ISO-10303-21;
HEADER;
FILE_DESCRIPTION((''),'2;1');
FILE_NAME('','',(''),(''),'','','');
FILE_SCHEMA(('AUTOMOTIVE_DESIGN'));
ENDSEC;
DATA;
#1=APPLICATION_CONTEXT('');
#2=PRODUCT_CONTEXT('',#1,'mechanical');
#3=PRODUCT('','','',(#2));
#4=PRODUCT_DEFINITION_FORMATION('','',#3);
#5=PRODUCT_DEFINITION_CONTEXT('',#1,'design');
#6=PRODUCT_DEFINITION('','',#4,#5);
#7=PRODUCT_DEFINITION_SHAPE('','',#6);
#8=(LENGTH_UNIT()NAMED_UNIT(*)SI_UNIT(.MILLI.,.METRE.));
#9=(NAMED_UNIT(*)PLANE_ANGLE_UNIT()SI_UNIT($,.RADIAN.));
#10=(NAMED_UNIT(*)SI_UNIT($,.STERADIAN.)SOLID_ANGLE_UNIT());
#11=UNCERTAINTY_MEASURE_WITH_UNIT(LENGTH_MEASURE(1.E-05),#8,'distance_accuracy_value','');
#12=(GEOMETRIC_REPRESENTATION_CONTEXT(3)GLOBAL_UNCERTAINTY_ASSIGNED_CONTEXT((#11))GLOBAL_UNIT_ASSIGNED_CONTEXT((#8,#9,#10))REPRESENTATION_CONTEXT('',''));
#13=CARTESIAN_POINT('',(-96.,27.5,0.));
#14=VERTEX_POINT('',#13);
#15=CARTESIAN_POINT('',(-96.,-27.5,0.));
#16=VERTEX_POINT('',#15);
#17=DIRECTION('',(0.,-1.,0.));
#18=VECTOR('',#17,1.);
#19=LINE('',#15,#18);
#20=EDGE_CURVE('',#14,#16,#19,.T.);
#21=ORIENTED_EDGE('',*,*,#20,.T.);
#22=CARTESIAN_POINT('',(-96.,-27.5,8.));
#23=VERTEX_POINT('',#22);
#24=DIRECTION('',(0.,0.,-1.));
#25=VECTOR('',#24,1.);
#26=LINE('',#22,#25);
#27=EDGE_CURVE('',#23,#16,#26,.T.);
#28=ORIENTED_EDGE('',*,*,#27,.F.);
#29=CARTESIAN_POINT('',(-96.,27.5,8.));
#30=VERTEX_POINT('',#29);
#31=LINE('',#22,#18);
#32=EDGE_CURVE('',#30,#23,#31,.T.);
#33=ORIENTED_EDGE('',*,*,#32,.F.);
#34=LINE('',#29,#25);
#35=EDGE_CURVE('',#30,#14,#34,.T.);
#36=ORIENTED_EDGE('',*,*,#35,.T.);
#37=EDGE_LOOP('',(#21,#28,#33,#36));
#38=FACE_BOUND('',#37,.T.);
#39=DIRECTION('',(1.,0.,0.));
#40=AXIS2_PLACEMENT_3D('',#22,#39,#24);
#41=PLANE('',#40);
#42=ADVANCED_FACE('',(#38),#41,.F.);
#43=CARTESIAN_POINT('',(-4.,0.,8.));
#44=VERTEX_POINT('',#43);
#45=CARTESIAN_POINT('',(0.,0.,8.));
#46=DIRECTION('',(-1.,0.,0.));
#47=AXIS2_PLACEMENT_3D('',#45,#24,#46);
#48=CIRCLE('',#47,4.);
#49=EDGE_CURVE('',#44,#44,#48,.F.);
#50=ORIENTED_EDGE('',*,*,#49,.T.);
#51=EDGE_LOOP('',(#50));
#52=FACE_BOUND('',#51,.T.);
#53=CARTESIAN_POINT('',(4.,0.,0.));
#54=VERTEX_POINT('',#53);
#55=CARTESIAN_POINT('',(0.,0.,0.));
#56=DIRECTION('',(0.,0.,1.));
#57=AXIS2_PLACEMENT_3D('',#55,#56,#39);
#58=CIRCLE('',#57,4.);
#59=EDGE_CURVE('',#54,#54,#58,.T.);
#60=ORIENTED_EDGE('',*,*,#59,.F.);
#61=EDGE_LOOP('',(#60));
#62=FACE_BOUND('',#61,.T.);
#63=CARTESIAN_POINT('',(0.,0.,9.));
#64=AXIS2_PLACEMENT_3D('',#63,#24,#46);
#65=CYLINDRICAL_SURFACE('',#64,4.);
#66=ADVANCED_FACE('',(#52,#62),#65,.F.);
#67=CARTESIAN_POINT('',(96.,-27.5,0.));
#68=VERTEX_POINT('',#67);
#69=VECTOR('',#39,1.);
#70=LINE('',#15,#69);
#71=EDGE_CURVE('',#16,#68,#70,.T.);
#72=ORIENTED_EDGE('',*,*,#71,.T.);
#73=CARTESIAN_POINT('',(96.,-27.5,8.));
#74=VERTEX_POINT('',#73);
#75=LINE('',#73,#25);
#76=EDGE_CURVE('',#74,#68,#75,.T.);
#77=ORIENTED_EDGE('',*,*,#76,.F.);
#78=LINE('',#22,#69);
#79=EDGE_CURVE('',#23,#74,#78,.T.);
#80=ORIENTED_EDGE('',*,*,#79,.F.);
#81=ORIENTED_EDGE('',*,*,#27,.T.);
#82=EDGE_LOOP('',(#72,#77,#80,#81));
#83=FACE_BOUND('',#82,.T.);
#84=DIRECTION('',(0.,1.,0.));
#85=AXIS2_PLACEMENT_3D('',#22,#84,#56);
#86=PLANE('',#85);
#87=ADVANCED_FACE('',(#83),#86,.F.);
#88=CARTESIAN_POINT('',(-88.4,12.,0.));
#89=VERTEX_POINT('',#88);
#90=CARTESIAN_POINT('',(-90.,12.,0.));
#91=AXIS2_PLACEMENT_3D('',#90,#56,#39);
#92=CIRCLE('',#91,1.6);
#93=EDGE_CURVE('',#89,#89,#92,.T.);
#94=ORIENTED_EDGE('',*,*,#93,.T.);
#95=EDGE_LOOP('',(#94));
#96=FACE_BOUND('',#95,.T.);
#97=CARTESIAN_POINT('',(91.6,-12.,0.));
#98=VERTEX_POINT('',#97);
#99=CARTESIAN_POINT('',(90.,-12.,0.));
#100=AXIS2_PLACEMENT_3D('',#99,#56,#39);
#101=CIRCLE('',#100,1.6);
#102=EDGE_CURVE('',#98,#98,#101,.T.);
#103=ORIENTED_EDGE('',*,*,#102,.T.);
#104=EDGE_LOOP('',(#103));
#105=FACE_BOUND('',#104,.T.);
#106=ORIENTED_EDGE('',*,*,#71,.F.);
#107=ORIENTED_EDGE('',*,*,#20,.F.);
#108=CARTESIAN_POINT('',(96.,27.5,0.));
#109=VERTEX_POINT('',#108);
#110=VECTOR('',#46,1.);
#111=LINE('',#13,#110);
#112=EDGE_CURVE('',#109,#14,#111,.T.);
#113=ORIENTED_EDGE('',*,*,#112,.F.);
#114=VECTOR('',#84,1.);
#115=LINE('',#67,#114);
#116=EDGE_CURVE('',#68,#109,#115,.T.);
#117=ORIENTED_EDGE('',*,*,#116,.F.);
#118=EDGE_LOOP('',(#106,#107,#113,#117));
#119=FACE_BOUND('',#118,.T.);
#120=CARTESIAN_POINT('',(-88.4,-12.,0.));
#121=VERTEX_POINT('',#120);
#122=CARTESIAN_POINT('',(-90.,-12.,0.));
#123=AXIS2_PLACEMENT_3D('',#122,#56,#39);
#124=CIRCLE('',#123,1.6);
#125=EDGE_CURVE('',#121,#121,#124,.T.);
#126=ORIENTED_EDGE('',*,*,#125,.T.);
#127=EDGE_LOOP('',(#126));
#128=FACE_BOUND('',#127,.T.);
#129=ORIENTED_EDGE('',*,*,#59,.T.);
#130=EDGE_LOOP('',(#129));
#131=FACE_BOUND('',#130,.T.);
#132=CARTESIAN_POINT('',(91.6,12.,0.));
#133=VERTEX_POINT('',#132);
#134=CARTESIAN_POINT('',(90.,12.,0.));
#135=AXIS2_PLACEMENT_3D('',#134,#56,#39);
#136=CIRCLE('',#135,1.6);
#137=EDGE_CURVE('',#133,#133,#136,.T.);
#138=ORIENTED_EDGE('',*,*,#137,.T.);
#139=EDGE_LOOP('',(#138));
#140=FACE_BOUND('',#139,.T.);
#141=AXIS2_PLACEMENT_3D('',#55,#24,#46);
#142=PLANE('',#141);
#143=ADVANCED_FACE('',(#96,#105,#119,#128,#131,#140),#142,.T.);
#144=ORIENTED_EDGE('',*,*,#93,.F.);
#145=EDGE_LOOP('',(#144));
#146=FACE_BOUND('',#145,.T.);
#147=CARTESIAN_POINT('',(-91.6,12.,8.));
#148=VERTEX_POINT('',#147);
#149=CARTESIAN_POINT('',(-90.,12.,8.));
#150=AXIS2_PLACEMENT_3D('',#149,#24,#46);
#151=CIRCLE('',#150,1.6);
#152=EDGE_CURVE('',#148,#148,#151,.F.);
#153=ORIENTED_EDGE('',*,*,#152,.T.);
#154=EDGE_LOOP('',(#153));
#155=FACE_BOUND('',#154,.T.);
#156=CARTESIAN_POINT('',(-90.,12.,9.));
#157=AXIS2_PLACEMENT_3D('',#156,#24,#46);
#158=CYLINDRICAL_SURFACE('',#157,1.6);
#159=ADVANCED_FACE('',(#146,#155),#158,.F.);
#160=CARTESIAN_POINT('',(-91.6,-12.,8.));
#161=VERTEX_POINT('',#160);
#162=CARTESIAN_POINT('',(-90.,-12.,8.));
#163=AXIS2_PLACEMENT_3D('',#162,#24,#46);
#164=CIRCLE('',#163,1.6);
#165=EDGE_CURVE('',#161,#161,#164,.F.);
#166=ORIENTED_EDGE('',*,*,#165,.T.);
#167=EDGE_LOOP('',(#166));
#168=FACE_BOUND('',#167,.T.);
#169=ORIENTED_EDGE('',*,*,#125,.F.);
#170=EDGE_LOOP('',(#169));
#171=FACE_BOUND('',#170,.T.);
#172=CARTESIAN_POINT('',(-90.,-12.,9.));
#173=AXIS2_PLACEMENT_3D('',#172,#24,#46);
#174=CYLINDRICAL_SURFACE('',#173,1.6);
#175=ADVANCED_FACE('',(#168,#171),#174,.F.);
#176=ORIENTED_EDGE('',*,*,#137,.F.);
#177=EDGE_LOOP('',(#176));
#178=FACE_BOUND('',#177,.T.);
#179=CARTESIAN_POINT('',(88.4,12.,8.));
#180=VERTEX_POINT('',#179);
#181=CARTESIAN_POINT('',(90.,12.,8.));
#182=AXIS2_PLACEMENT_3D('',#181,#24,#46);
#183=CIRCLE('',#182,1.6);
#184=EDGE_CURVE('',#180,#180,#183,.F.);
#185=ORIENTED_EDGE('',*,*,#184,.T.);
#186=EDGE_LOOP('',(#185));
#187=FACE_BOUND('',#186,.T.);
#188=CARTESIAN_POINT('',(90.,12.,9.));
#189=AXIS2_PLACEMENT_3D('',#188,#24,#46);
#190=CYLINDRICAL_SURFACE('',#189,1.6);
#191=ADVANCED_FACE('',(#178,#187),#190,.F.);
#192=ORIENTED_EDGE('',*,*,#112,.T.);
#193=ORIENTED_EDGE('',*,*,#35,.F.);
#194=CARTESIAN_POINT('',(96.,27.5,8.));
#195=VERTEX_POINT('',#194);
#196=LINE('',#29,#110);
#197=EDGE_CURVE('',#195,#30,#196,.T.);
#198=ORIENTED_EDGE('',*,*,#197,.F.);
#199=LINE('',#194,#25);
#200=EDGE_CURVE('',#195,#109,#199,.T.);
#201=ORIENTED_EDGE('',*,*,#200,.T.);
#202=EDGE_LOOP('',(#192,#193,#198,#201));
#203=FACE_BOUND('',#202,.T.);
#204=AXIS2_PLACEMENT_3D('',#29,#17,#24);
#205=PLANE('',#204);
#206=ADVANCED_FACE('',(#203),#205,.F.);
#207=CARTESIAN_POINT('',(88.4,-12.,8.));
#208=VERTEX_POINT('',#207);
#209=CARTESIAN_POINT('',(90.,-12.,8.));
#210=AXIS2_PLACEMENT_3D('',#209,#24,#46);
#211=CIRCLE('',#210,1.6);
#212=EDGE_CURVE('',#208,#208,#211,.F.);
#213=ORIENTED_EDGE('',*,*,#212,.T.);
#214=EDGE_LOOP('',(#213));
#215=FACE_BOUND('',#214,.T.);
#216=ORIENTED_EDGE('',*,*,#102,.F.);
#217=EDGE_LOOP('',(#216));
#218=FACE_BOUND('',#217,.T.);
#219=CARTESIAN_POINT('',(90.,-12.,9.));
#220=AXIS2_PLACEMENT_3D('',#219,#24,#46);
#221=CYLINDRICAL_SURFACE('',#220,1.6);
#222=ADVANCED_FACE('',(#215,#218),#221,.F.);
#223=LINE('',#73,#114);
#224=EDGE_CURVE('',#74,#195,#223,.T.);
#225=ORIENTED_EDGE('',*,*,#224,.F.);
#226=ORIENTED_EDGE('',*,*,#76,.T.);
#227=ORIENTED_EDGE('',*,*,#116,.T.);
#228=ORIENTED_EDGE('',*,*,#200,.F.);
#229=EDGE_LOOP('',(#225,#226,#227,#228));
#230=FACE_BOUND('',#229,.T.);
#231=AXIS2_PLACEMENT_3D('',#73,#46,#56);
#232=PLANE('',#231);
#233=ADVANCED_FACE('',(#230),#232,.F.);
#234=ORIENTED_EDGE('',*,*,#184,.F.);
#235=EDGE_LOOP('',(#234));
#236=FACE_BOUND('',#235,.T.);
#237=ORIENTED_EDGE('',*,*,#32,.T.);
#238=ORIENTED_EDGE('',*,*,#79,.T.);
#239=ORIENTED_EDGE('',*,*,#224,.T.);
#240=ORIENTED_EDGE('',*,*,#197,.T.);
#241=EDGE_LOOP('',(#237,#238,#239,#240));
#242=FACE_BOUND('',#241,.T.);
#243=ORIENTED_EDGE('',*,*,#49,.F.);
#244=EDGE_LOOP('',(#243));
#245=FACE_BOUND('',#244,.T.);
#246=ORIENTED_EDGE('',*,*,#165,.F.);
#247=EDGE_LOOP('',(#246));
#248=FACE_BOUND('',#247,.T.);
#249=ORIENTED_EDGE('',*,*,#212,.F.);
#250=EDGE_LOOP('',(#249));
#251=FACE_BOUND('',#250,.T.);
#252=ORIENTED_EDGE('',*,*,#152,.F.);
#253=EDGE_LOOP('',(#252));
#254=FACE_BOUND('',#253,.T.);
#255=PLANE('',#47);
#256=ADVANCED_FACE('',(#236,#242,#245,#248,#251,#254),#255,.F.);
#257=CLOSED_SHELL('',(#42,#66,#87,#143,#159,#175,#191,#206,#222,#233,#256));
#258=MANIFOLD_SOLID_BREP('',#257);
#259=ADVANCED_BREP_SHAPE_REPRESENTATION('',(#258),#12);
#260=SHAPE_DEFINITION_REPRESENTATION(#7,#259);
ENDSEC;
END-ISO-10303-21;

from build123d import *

# Parameters (mm, degrees)
SKETCH1_W           = 192
SKETCH1_H           = 55
BOSS_EXTRUDE1_DEPTH = 8
SKETCH2_R           = 4
SKETCH2_R_2         = 1.6
CUT_EXTRUDE2_DEPTH  = 9


with BuildPart() as part:
    # Sketch1 → Boss-Extrude1 (new body)
    with BuildSketch(Plane.XY):
        Rectangle(SKETCH1_W, SKETCH1_H)
    extrude(amount=BOSS_EXTRUDE1_DEPTH)

    # Sketch2 → Cut-Extrude2 (cut)
    with BuildSketch(Plane.XY):
        with Locations(Location((0, 0, 0), (0, 0, 180))):
            Circle(SKETCH2_R)
        with Locations(Location((-90, 12, 0), (0, 0, 180))):
            Circle(SKETCH2_R_2)
        with Locations(Location((-90, -12, 0), (0, 0, 180))):
            Circle(SKETCH2_R_2)
        with Locations(Location((90, 12, 0), (0, 0, 180))):
            Circle(SKETCH2_R_2)
        with Locations(Location((90, -12, 0), (0, 0, 180))):
            Circle(SKETCH2_R_2)
    extrude(amount=CUT_EXTRUDE2_DEPTH, mode=Mode.SUBTRACT)


solid = part.part
